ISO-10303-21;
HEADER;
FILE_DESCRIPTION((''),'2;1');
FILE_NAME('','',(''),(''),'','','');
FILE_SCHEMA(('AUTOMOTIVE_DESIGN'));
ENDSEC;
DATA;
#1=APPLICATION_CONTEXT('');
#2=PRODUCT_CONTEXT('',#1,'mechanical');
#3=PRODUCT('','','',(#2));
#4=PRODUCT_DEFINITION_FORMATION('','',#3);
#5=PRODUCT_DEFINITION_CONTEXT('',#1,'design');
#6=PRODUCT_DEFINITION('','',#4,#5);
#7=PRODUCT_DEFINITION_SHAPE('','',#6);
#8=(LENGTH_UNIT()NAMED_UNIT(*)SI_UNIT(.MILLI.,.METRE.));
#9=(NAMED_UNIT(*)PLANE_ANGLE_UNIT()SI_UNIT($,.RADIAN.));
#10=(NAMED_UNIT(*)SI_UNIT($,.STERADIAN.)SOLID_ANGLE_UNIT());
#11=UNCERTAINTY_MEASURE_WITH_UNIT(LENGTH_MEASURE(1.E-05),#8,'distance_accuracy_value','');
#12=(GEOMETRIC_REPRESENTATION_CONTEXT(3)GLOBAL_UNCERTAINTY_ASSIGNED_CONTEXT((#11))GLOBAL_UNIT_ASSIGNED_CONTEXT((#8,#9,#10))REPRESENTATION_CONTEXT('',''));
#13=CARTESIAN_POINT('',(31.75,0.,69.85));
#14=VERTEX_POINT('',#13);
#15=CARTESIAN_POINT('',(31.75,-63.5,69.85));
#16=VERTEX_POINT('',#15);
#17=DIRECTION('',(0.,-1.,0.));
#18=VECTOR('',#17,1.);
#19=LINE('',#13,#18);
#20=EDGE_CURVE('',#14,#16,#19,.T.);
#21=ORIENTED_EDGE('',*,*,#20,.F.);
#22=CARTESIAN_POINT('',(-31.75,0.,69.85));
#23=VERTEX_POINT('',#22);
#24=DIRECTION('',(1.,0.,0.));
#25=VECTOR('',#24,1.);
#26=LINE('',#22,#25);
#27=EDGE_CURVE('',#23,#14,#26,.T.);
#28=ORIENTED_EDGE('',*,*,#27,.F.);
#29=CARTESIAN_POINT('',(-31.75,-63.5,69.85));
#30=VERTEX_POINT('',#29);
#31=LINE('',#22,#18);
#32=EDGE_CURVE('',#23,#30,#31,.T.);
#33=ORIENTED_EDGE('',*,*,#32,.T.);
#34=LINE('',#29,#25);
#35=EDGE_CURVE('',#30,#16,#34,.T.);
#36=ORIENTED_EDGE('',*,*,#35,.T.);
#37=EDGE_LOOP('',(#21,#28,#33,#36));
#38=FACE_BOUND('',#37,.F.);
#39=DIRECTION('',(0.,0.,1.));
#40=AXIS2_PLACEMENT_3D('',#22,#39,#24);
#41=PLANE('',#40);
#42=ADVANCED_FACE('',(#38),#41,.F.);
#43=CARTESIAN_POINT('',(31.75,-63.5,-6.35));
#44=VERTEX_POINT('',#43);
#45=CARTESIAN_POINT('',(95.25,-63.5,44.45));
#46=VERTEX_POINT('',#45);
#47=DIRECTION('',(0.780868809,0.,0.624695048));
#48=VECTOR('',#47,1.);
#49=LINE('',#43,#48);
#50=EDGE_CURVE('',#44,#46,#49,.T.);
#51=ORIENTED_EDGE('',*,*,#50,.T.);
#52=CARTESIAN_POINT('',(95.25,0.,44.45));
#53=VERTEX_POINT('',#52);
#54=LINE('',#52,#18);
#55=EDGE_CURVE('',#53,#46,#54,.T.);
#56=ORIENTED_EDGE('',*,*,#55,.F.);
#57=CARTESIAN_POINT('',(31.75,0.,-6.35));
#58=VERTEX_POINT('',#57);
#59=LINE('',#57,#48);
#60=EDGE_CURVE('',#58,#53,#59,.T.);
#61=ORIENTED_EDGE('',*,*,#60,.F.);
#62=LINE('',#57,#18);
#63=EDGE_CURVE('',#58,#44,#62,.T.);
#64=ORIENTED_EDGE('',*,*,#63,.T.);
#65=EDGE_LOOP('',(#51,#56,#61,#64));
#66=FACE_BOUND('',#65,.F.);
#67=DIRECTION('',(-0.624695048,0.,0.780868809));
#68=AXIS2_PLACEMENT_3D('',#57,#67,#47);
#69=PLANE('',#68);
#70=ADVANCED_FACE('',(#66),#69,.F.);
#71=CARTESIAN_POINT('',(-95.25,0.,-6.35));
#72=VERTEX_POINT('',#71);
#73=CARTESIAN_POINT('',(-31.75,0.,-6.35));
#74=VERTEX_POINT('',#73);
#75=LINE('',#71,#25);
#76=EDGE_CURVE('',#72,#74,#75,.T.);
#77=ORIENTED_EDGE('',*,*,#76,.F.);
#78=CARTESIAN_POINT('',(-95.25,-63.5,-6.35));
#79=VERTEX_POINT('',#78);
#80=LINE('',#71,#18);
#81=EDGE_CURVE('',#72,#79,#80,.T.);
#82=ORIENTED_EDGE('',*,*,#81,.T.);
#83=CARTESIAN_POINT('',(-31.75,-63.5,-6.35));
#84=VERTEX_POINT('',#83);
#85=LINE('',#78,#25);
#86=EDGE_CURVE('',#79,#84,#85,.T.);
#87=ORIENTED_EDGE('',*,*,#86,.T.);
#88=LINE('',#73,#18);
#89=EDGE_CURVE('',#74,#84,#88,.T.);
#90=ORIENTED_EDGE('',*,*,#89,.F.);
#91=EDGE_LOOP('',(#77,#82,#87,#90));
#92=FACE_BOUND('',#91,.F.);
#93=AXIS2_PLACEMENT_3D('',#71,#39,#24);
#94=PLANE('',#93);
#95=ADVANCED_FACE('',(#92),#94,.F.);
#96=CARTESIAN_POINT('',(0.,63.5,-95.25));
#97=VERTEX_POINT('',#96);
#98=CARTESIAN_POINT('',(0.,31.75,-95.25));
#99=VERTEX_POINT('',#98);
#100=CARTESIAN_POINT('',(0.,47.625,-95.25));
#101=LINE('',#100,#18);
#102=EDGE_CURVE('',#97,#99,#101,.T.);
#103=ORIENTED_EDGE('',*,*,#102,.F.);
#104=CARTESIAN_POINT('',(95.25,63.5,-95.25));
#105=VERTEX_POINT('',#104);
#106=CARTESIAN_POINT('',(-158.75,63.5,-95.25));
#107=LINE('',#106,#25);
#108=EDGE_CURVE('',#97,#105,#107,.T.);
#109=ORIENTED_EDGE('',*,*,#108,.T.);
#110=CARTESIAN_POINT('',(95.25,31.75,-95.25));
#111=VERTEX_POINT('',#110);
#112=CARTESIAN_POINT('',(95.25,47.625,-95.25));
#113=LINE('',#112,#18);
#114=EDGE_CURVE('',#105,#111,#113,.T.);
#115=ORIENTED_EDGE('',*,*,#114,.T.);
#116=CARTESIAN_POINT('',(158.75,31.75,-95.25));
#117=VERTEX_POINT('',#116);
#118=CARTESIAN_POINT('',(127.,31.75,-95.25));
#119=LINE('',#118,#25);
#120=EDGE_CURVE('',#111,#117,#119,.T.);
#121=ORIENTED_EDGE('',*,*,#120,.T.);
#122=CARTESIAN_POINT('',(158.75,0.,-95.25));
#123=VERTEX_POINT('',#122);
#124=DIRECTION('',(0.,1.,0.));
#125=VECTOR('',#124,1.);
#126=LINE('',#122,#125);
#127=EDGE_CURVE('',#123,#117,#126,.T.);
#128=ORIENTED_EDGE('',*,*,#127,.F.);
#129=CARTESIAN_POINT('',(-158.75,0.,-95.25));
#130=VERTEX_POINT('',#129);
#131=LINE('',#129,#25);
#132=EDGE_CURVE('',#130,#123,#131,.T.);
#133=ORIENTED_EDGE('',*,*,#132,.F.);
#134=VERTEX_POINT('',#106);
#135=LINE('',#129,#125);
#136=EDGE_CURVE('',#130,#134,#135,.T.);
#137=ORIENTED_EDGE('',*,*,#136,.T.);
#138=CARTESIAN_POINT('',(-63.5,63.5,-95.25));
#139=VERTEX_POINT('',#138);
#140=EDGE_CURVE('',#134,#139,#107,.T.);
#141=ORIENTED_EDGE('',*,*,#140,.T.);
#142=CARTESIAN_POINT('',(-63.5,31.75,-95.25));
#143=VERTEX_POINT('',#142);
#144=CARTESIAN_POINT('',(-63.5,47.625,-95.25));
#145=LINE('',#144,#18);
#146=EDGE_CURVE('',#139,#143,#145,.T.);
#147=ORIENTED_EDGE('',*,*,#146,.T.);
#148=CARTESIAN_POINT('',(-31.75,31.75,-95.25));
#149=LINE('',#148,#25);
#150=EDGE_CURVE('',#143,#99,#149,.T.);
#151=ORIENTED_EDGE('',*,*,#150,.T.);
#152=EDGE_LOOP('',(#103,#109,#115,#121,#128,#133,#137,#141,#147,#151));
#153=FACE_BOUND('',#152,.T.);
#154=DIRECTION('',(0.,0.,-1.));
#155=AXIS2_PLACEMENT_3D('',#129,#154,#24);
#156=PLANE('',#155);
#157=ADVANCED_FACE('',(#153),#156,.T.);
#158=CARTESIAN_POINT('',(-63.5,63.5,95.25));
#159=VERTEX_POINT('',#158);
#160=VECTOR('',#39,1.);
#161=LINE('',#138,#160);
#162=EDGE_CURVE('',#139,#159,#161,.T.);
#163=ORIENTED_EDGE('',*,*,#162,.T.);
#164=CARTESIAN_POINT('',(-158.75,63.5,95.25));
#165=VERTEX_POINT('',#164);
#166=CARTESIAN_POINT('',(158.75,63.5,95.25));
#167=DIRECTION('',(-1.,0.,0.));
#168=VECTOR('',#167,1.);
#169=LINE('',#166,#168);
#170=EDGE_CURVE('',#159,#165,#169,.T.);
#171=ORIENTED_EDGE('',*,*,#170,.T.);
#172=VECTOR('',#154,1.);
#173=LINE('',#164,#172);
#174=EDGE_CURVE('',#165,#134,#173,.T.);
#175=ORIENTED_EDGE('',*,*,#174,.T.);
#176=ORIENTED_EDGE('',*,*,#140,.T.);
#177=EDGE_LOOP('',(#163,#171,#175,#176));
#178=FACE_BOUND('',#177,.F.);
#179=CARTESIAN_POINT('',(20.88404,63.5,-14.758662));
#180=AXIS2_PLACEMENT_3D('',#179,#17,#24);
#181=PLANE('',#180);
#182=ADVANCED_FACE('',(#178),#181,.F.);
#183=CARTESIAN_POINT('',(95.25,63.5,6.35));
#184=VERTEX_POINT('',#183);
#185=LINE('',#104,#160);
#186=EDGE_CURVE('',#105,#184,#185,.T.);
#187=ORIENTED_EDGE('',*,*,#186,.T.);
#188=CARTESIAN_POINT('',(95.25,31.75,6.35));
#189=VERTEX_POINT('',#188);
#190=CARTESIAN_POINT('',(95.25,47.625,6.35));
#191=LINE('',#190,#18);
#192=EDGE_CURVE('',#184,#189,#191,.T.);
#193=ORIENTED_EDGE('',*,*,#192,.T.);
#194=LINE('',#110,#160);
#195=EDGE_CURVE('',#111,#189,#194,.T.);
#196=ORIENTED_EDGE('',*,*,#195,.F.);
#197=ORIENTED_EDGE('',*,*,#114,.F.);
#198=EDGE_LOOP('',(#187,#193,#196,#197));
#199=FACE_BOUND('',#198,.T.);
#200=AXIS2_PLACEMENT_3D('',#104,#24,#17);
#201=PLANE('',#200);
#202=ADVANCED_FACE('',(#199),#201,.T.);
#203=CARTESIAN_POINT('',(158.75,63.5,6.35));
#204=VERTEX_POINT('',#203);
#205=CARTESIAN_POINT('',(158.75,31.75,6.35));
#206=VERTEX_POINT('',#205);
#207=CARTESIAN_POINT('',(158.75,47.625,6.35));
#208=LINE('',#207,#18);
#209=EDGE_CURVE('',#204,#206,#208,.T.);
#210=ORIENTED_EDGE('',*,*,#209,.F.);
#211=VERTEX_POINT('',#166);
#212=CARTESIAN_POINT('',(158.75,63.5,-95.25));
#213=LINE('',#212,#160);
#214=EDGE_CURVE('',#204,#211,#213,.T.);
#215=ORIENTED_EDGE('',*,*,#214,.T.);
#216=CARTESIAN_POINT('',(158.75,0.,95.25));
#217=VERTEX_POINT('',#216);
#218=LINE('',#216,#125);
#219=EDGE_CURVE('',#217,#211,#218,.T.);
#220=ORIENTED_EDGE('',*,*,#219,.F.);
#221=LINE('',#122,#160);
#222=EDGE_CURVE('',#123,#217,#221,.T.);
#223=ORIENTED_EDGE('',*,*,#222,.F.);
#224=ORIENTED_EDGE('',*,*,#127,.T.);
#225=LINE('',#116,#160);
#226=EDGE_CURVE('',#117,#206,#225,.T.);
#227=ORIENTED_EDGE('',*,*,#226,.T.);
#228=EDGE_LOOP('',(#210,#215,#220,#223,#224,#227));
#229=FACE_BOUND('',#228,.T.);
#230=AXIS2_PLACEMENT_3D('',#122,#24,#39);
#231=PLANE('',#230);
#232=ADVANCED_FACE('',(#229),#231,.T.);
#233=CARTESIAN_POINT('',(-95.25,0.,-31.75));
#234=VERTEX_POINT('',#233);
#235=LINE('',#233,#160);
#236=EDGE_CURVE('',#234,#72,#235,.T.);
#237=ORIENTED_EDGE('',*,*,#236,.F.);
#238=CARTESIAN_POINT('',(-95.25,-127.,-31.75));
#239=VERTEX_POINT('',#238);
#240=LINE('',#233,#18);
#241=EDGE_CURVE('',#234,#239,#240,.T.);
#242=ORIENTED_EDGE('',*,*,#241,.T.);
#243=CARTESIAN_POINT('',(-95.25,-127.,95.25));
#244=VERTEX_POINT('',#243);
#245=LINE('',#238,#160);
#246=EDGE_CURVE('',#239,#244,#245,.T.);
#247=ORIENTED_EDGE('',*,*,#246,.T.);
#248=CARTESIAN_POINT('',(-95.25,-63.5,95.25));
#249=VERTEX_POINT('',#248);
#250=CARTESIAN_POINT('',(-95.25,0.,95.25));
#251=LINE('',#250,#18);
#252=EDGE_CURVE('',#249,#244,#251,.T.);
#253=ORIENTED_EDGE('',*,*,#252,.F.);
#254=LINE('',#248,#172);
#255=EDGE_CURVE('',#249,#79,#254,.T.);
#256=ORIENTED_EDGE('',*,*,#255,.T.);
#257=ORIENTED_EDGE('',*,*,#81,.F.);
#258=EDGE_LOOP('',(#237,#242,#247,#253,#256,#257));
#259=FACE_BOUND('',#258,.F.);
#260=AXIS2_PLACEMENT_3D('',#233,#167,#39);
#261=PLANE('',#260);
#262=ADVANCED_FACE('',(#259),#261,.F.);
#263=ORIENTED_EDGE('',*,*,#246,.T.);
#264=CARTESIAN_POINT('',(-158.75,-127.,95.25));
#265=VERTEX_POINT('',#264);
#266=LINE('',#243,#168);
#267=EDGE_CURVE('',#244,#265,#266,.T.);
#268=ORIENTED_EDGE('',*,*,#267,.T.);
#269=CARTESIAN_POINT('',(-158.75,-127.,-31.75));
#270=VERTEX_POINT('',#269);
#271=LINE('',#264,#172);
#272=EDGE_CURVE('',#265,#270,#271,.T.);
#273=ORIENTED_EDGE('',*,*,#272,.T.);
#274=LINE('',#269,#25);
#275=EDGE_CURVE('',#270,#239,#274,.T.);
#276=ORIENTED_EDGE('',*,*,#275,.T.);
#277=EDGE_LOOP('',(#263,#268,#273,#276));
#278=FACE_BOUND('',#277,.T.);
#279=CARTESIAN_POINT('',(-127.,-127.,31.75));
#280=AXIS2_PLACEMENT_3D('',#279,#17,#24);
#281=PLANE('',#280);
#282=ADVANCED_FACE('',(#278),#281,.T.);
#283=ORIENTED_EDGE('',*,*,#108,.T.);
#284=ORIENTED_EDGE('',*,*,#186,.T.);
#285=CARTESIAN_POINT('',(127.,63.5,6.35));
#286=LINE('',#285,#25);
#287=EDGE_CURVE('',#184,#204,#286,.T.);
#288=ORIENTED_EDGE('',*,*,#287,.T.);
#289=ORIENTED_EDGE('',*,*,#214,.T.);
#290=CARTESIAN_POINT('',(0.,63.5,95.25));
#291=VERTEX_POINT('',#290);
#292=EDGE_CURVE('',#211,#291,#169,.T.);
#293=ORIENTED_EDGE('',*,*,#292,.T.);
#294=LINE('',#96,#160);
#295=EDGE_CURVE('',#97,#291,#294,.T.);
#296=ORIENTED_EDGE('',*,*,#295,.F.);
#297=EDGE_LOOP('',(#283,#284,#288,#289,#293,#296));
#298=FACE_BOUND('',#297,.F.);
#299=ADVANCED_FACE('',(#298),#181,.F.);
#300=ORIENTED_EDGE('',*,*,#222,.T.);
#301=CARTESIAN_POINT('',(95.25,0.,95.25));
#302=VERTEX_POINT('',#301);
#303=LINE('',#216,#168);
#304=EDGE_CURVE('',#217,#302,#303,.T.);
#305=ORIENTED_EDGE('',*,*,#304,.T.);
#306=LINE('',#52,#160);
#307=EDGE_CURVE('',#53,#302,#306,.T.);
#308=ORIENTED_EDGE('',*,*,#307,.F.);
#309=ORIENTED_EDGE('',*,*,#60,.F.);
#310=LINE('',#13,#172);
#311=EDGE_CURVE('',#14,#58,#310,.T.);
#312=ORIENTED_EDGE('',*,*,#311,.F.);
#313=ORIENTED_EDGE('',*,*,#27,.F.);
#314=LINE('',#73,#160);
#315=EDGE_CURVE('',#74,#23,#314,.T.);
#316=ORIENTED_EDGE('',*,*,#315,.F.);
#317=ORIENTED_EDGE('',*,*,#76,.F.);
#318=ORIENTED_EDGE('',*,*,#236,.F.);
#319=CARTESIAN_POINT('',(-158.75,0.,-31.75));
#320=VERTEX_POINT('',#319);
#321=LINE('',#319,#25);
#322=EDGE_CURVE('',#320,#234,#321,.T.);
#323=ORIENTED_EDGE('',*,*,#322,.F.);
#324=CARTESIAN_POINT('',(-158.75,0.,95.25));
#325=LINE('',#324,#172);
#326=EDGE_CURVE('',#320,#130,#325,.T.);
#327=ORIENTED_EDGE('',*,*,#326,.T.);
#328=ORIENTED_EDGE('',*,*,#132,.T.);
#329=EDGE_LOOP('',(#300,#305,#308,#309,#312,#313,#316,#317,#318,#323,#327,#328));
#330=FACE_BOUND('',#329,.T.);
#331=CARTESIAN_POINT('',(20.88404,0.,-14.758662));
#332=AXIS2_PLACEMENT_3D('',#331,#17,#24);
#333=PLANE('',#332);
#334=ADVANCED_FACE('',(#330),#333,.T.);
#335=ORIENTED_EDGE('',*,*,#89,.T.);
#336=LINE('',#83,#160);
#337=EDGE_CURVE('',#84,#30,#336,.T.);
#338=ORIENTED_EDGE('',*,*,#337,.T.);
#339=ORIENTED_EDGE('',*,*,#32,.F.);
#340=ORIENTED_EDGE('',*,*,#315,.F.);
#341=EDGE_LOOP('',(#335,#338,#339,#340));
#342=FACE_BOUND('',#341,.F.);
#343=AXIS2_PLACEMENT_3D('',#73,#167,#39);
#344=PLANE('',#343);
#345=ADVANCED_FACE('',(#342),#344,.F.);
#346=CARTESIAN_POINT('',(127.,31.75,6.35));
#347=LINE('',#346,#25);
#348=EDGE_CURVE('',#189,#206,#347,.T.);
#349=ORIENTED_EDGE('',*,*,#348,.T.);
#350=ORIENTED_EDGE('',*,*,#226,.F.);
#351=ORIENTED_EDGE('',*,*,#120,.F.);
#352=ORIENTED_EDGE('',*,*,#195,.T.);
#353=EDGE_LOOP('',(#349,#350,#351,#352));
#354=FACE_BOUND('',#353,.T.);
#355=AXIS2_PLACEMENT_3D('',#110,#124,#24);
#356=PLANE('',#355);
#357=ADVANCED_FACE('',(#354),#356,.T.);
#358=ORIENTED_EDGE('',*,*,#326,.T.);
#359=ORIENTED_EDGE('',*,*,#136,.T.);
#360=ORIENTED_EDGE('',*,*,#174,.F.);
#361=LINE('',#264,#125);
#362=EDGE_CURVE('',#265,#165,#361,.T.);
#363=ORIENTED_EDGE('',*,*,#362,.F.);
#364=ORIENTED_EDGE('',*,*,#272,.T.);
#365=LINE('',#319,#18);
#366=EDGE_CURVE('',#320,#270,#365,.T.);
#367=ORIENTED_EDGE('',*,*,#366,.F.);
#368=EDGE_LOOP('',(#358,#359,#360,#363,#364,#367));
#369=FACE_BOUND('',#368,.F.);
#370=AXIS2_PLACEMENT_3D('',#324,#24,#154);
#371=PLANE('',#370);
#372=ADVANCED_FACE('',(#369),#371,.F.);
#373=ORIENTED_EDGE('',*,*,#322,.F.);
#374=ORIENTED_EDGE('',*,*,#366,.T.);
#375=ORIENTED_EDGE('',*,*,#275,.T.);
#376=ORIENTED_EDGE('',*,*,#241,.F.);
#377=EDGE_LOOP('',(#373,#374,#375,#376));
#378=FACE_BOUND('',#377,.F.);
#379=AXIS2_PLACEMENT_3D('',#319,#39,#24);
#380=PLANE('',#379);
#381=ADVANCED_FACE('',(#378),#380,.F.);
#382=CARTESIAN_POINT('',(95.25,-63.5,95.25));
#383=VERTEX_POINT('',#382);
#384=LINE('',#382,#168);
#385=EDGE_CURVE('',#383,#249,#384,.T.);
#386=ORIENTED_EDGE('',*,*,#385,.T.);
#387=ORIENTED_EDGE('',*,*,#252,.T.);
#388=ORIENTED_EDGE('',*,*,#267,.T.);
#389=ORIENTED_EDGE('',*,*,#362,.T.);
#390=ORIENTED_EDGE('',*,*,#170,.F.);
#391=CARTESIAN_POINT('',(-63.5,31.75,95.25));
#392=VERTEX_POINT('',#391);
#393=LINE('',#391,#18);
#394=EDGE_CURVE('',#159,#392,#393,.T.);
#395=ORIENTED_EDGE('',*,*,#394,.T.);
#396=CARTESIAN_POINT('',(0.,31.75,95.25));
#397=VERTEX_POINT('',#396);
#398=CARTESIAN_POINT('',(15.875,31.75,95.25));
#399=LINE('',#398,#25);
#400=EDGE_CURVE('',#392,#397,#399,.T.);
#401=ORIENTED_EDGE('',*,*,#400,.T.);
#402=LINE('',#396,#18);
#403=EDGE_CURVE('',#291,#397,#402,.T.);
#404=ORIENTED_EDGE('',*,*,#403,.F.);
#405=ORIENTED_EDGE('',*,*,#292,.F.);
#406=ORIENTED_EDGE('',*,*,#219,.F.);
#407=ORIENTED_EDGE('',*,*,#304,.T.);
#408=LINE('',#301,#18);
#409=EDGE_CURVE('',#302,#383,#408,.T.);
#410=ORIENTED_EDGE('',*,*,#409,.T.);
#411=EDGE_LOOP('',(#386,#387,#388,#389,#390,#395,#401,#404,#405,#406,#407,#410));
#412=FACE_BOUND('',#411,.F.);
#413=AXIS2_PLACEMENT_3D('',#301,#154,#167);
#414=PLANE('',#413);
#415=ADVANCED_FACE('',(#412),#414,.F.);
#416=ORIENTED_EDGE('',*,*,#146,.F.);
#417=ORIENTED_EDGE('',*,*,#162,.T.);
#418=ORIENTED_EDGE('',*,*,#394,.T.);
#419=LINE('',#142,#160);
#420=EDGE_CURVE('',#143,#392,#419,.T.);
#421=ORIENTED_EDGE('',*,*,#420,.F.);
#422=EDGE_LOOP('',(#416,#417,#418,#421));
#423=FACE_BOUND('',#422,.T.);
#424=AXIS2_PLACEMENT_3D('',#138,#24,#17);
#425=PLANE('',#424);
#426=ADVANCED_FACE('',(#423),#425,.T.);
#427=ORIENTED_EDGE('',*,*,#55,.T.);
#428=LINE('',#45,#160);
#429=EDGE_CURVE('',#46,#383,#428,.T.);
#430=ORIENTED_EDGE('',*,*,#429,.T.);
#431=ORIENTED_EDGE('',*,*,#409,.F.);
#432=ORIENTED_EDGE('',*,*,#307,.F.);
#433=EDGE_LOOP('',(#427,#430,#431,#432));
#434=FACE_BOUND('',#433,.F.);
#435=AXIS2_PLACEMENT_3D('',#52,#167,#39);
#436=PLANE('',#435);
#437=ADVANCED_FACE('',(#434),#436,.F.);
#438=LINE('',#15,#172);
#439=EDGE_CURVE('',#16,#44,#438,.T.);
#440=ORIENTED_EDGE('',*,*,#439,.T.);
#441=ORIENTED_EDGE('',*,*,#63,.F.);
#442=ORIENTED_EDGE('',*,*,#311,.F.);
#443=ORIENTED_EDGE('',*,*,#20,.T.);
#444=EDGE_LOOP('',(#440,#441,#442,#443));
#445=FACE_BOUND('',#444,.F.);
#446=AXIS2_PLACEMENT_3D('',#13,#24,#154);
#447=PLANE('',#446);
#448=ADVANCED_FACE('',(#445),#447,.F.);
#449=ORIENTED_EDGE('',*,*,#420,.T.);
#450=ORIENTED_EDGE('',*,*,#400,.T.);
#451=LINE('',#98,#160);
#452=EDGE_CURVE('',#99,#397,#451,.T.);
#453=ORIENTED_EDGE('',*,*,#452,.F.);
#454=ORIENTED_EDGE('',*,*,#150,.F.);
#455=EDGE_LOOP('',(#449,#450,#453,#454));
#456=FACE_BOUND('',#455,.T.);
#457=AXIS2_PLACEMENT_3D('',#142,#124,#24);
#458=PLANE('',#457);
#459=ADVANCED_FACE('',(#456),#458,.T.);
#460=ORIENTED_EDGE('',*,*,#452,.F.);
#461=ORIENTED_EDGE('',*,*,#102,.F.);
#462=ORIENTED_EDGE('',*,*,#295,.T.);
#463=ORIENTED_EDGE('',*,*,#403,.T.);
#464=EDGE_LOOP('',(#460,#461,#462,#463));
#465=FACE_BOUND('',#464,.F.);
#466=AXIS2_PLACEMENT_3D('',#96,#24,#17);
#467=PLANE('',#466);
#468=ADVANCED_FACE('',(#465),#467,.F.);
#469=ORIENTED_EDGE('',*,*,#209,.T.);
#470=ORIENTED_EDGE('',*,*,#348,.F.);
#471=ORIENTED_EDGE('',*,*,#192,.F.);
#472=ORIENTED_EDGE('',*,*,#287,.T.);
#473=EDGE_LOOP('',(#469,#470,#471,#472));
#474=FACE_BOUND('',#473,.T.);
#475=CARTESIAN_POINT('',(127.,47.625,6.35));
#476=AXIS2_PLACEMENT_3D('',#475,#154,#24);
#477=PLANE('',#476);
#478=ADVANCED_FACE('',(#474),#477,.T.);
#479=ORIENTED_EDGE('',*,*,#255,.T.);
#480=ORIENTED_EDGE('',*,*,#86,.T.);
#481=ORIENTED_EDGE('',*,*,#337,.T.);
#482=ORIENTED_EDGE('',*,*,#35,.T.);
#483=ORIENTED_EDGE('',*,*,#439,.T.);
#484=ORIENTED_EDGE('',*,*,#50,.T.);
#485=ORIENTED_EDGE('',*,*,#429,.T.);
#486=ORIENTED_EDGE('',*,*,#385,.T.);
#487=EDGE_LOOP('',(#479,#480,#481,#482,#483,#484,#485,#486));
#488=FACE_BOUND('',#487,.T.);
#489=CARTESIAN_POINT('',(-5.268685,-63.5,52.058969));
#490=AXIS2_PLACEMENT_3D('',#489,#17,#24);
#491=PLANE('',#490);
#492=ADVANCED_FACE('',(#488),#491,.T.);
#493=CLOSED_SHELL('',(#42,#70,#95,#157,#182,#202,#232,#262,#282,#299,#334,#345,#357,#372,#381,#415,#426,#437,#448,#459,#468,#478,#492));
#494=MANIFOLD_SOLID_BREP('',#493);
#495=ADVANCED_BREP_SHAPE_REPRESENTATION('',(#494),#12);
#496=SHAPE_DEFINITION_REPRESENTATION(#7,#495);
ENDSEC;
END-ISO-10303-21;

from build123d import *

# Parameters (mm, degrees)
F1_DEPTH = 63.5
F2_DEPTH = 127
F3_DEPTH = 63.5
F4_W     = 63.5
F4_H     = 31.75
F5_DEPTH = 101.6
F6_DEPTH = 190.501


with BuildPart() as f1:
    # F0 (on Front) → F1 (new body)
    with BuildSketch(Plane.XZ):
        Polygon((-158.75, -31.75), (-158.75, -95.25), (158.75, -95.25), (158.75, 95.25), (95.25, 95.25), (95.25, 44.45), (31.75, -6.35), (31.75, 69.85), (-31.75, 69.85), (-31.75, -6.35), (-95.25, -6.35), (-95.25, -31.75), align=None)
        Polygon((95.25, 44.45), (95.25, 95.25), (-95.25, 95.25), (-95.25, -6.35), (-31.75, -6.35), (-31.75, 69.85), (31.75, 69.85), (31.75, -6.35), align=None)
        Polygon((-158.75, 95.25), (-158.75, -31.75), (-95.25, -31.75), (-95.25, -6.35), (-95.25, 95.25), align=None)
    extrude(amount=-F1_DEPTH)

    # F0 (on Front) → F2 (join)
    with BuildSketch(Plane.XZ):
        Polygon((-158.75, 95.25), (-158.75, -31.75), (-95.25, -31.75), (-95.25, -6.35), (-95.25, 95.25), align=None)
    extrude(amount=F2_DEPTH)

    # F0 (on Front) → F3 (join)
    with BuildSketch(Plane.XZ):
        Polygon((95.25, 44.45), (95.25, 95.25), (-95.25, 95.25), (-95.25, -6.35), (-31.75, -6.35), (-31.75, 69.85), (31.75, 69.85), (31.75, -6.35), align=None)
    extrude(amount=F3_DEPTH)

    # F4 (on face) → F5 (cut)
    with BuildSketch(Plane(origin=(0, 0, -95.25), x_dir=(1, 0, 0), z_dir=(0, 0, -1))):
        with Locations((127, -47.625)):
            Rectangle(F4_W, F4_H)
    extrude(amount=-F5_DEPTH, mode=Mode.SUBTRACT)

    # F4 (on face) → F6 (cut, through all)
    with BuildSketch(Plane(origin=(0, 0, -95.25), x_dir=(1, 0, 0), z_dir=(0, 0, -1))):
        with Locations((-31.75, -47.625)):
            Rectangle(F4_W, F4_H)
    extrude(amount=-F6_DEPTH, mode=Mode.SUBTRACT)


solid = f1.part
